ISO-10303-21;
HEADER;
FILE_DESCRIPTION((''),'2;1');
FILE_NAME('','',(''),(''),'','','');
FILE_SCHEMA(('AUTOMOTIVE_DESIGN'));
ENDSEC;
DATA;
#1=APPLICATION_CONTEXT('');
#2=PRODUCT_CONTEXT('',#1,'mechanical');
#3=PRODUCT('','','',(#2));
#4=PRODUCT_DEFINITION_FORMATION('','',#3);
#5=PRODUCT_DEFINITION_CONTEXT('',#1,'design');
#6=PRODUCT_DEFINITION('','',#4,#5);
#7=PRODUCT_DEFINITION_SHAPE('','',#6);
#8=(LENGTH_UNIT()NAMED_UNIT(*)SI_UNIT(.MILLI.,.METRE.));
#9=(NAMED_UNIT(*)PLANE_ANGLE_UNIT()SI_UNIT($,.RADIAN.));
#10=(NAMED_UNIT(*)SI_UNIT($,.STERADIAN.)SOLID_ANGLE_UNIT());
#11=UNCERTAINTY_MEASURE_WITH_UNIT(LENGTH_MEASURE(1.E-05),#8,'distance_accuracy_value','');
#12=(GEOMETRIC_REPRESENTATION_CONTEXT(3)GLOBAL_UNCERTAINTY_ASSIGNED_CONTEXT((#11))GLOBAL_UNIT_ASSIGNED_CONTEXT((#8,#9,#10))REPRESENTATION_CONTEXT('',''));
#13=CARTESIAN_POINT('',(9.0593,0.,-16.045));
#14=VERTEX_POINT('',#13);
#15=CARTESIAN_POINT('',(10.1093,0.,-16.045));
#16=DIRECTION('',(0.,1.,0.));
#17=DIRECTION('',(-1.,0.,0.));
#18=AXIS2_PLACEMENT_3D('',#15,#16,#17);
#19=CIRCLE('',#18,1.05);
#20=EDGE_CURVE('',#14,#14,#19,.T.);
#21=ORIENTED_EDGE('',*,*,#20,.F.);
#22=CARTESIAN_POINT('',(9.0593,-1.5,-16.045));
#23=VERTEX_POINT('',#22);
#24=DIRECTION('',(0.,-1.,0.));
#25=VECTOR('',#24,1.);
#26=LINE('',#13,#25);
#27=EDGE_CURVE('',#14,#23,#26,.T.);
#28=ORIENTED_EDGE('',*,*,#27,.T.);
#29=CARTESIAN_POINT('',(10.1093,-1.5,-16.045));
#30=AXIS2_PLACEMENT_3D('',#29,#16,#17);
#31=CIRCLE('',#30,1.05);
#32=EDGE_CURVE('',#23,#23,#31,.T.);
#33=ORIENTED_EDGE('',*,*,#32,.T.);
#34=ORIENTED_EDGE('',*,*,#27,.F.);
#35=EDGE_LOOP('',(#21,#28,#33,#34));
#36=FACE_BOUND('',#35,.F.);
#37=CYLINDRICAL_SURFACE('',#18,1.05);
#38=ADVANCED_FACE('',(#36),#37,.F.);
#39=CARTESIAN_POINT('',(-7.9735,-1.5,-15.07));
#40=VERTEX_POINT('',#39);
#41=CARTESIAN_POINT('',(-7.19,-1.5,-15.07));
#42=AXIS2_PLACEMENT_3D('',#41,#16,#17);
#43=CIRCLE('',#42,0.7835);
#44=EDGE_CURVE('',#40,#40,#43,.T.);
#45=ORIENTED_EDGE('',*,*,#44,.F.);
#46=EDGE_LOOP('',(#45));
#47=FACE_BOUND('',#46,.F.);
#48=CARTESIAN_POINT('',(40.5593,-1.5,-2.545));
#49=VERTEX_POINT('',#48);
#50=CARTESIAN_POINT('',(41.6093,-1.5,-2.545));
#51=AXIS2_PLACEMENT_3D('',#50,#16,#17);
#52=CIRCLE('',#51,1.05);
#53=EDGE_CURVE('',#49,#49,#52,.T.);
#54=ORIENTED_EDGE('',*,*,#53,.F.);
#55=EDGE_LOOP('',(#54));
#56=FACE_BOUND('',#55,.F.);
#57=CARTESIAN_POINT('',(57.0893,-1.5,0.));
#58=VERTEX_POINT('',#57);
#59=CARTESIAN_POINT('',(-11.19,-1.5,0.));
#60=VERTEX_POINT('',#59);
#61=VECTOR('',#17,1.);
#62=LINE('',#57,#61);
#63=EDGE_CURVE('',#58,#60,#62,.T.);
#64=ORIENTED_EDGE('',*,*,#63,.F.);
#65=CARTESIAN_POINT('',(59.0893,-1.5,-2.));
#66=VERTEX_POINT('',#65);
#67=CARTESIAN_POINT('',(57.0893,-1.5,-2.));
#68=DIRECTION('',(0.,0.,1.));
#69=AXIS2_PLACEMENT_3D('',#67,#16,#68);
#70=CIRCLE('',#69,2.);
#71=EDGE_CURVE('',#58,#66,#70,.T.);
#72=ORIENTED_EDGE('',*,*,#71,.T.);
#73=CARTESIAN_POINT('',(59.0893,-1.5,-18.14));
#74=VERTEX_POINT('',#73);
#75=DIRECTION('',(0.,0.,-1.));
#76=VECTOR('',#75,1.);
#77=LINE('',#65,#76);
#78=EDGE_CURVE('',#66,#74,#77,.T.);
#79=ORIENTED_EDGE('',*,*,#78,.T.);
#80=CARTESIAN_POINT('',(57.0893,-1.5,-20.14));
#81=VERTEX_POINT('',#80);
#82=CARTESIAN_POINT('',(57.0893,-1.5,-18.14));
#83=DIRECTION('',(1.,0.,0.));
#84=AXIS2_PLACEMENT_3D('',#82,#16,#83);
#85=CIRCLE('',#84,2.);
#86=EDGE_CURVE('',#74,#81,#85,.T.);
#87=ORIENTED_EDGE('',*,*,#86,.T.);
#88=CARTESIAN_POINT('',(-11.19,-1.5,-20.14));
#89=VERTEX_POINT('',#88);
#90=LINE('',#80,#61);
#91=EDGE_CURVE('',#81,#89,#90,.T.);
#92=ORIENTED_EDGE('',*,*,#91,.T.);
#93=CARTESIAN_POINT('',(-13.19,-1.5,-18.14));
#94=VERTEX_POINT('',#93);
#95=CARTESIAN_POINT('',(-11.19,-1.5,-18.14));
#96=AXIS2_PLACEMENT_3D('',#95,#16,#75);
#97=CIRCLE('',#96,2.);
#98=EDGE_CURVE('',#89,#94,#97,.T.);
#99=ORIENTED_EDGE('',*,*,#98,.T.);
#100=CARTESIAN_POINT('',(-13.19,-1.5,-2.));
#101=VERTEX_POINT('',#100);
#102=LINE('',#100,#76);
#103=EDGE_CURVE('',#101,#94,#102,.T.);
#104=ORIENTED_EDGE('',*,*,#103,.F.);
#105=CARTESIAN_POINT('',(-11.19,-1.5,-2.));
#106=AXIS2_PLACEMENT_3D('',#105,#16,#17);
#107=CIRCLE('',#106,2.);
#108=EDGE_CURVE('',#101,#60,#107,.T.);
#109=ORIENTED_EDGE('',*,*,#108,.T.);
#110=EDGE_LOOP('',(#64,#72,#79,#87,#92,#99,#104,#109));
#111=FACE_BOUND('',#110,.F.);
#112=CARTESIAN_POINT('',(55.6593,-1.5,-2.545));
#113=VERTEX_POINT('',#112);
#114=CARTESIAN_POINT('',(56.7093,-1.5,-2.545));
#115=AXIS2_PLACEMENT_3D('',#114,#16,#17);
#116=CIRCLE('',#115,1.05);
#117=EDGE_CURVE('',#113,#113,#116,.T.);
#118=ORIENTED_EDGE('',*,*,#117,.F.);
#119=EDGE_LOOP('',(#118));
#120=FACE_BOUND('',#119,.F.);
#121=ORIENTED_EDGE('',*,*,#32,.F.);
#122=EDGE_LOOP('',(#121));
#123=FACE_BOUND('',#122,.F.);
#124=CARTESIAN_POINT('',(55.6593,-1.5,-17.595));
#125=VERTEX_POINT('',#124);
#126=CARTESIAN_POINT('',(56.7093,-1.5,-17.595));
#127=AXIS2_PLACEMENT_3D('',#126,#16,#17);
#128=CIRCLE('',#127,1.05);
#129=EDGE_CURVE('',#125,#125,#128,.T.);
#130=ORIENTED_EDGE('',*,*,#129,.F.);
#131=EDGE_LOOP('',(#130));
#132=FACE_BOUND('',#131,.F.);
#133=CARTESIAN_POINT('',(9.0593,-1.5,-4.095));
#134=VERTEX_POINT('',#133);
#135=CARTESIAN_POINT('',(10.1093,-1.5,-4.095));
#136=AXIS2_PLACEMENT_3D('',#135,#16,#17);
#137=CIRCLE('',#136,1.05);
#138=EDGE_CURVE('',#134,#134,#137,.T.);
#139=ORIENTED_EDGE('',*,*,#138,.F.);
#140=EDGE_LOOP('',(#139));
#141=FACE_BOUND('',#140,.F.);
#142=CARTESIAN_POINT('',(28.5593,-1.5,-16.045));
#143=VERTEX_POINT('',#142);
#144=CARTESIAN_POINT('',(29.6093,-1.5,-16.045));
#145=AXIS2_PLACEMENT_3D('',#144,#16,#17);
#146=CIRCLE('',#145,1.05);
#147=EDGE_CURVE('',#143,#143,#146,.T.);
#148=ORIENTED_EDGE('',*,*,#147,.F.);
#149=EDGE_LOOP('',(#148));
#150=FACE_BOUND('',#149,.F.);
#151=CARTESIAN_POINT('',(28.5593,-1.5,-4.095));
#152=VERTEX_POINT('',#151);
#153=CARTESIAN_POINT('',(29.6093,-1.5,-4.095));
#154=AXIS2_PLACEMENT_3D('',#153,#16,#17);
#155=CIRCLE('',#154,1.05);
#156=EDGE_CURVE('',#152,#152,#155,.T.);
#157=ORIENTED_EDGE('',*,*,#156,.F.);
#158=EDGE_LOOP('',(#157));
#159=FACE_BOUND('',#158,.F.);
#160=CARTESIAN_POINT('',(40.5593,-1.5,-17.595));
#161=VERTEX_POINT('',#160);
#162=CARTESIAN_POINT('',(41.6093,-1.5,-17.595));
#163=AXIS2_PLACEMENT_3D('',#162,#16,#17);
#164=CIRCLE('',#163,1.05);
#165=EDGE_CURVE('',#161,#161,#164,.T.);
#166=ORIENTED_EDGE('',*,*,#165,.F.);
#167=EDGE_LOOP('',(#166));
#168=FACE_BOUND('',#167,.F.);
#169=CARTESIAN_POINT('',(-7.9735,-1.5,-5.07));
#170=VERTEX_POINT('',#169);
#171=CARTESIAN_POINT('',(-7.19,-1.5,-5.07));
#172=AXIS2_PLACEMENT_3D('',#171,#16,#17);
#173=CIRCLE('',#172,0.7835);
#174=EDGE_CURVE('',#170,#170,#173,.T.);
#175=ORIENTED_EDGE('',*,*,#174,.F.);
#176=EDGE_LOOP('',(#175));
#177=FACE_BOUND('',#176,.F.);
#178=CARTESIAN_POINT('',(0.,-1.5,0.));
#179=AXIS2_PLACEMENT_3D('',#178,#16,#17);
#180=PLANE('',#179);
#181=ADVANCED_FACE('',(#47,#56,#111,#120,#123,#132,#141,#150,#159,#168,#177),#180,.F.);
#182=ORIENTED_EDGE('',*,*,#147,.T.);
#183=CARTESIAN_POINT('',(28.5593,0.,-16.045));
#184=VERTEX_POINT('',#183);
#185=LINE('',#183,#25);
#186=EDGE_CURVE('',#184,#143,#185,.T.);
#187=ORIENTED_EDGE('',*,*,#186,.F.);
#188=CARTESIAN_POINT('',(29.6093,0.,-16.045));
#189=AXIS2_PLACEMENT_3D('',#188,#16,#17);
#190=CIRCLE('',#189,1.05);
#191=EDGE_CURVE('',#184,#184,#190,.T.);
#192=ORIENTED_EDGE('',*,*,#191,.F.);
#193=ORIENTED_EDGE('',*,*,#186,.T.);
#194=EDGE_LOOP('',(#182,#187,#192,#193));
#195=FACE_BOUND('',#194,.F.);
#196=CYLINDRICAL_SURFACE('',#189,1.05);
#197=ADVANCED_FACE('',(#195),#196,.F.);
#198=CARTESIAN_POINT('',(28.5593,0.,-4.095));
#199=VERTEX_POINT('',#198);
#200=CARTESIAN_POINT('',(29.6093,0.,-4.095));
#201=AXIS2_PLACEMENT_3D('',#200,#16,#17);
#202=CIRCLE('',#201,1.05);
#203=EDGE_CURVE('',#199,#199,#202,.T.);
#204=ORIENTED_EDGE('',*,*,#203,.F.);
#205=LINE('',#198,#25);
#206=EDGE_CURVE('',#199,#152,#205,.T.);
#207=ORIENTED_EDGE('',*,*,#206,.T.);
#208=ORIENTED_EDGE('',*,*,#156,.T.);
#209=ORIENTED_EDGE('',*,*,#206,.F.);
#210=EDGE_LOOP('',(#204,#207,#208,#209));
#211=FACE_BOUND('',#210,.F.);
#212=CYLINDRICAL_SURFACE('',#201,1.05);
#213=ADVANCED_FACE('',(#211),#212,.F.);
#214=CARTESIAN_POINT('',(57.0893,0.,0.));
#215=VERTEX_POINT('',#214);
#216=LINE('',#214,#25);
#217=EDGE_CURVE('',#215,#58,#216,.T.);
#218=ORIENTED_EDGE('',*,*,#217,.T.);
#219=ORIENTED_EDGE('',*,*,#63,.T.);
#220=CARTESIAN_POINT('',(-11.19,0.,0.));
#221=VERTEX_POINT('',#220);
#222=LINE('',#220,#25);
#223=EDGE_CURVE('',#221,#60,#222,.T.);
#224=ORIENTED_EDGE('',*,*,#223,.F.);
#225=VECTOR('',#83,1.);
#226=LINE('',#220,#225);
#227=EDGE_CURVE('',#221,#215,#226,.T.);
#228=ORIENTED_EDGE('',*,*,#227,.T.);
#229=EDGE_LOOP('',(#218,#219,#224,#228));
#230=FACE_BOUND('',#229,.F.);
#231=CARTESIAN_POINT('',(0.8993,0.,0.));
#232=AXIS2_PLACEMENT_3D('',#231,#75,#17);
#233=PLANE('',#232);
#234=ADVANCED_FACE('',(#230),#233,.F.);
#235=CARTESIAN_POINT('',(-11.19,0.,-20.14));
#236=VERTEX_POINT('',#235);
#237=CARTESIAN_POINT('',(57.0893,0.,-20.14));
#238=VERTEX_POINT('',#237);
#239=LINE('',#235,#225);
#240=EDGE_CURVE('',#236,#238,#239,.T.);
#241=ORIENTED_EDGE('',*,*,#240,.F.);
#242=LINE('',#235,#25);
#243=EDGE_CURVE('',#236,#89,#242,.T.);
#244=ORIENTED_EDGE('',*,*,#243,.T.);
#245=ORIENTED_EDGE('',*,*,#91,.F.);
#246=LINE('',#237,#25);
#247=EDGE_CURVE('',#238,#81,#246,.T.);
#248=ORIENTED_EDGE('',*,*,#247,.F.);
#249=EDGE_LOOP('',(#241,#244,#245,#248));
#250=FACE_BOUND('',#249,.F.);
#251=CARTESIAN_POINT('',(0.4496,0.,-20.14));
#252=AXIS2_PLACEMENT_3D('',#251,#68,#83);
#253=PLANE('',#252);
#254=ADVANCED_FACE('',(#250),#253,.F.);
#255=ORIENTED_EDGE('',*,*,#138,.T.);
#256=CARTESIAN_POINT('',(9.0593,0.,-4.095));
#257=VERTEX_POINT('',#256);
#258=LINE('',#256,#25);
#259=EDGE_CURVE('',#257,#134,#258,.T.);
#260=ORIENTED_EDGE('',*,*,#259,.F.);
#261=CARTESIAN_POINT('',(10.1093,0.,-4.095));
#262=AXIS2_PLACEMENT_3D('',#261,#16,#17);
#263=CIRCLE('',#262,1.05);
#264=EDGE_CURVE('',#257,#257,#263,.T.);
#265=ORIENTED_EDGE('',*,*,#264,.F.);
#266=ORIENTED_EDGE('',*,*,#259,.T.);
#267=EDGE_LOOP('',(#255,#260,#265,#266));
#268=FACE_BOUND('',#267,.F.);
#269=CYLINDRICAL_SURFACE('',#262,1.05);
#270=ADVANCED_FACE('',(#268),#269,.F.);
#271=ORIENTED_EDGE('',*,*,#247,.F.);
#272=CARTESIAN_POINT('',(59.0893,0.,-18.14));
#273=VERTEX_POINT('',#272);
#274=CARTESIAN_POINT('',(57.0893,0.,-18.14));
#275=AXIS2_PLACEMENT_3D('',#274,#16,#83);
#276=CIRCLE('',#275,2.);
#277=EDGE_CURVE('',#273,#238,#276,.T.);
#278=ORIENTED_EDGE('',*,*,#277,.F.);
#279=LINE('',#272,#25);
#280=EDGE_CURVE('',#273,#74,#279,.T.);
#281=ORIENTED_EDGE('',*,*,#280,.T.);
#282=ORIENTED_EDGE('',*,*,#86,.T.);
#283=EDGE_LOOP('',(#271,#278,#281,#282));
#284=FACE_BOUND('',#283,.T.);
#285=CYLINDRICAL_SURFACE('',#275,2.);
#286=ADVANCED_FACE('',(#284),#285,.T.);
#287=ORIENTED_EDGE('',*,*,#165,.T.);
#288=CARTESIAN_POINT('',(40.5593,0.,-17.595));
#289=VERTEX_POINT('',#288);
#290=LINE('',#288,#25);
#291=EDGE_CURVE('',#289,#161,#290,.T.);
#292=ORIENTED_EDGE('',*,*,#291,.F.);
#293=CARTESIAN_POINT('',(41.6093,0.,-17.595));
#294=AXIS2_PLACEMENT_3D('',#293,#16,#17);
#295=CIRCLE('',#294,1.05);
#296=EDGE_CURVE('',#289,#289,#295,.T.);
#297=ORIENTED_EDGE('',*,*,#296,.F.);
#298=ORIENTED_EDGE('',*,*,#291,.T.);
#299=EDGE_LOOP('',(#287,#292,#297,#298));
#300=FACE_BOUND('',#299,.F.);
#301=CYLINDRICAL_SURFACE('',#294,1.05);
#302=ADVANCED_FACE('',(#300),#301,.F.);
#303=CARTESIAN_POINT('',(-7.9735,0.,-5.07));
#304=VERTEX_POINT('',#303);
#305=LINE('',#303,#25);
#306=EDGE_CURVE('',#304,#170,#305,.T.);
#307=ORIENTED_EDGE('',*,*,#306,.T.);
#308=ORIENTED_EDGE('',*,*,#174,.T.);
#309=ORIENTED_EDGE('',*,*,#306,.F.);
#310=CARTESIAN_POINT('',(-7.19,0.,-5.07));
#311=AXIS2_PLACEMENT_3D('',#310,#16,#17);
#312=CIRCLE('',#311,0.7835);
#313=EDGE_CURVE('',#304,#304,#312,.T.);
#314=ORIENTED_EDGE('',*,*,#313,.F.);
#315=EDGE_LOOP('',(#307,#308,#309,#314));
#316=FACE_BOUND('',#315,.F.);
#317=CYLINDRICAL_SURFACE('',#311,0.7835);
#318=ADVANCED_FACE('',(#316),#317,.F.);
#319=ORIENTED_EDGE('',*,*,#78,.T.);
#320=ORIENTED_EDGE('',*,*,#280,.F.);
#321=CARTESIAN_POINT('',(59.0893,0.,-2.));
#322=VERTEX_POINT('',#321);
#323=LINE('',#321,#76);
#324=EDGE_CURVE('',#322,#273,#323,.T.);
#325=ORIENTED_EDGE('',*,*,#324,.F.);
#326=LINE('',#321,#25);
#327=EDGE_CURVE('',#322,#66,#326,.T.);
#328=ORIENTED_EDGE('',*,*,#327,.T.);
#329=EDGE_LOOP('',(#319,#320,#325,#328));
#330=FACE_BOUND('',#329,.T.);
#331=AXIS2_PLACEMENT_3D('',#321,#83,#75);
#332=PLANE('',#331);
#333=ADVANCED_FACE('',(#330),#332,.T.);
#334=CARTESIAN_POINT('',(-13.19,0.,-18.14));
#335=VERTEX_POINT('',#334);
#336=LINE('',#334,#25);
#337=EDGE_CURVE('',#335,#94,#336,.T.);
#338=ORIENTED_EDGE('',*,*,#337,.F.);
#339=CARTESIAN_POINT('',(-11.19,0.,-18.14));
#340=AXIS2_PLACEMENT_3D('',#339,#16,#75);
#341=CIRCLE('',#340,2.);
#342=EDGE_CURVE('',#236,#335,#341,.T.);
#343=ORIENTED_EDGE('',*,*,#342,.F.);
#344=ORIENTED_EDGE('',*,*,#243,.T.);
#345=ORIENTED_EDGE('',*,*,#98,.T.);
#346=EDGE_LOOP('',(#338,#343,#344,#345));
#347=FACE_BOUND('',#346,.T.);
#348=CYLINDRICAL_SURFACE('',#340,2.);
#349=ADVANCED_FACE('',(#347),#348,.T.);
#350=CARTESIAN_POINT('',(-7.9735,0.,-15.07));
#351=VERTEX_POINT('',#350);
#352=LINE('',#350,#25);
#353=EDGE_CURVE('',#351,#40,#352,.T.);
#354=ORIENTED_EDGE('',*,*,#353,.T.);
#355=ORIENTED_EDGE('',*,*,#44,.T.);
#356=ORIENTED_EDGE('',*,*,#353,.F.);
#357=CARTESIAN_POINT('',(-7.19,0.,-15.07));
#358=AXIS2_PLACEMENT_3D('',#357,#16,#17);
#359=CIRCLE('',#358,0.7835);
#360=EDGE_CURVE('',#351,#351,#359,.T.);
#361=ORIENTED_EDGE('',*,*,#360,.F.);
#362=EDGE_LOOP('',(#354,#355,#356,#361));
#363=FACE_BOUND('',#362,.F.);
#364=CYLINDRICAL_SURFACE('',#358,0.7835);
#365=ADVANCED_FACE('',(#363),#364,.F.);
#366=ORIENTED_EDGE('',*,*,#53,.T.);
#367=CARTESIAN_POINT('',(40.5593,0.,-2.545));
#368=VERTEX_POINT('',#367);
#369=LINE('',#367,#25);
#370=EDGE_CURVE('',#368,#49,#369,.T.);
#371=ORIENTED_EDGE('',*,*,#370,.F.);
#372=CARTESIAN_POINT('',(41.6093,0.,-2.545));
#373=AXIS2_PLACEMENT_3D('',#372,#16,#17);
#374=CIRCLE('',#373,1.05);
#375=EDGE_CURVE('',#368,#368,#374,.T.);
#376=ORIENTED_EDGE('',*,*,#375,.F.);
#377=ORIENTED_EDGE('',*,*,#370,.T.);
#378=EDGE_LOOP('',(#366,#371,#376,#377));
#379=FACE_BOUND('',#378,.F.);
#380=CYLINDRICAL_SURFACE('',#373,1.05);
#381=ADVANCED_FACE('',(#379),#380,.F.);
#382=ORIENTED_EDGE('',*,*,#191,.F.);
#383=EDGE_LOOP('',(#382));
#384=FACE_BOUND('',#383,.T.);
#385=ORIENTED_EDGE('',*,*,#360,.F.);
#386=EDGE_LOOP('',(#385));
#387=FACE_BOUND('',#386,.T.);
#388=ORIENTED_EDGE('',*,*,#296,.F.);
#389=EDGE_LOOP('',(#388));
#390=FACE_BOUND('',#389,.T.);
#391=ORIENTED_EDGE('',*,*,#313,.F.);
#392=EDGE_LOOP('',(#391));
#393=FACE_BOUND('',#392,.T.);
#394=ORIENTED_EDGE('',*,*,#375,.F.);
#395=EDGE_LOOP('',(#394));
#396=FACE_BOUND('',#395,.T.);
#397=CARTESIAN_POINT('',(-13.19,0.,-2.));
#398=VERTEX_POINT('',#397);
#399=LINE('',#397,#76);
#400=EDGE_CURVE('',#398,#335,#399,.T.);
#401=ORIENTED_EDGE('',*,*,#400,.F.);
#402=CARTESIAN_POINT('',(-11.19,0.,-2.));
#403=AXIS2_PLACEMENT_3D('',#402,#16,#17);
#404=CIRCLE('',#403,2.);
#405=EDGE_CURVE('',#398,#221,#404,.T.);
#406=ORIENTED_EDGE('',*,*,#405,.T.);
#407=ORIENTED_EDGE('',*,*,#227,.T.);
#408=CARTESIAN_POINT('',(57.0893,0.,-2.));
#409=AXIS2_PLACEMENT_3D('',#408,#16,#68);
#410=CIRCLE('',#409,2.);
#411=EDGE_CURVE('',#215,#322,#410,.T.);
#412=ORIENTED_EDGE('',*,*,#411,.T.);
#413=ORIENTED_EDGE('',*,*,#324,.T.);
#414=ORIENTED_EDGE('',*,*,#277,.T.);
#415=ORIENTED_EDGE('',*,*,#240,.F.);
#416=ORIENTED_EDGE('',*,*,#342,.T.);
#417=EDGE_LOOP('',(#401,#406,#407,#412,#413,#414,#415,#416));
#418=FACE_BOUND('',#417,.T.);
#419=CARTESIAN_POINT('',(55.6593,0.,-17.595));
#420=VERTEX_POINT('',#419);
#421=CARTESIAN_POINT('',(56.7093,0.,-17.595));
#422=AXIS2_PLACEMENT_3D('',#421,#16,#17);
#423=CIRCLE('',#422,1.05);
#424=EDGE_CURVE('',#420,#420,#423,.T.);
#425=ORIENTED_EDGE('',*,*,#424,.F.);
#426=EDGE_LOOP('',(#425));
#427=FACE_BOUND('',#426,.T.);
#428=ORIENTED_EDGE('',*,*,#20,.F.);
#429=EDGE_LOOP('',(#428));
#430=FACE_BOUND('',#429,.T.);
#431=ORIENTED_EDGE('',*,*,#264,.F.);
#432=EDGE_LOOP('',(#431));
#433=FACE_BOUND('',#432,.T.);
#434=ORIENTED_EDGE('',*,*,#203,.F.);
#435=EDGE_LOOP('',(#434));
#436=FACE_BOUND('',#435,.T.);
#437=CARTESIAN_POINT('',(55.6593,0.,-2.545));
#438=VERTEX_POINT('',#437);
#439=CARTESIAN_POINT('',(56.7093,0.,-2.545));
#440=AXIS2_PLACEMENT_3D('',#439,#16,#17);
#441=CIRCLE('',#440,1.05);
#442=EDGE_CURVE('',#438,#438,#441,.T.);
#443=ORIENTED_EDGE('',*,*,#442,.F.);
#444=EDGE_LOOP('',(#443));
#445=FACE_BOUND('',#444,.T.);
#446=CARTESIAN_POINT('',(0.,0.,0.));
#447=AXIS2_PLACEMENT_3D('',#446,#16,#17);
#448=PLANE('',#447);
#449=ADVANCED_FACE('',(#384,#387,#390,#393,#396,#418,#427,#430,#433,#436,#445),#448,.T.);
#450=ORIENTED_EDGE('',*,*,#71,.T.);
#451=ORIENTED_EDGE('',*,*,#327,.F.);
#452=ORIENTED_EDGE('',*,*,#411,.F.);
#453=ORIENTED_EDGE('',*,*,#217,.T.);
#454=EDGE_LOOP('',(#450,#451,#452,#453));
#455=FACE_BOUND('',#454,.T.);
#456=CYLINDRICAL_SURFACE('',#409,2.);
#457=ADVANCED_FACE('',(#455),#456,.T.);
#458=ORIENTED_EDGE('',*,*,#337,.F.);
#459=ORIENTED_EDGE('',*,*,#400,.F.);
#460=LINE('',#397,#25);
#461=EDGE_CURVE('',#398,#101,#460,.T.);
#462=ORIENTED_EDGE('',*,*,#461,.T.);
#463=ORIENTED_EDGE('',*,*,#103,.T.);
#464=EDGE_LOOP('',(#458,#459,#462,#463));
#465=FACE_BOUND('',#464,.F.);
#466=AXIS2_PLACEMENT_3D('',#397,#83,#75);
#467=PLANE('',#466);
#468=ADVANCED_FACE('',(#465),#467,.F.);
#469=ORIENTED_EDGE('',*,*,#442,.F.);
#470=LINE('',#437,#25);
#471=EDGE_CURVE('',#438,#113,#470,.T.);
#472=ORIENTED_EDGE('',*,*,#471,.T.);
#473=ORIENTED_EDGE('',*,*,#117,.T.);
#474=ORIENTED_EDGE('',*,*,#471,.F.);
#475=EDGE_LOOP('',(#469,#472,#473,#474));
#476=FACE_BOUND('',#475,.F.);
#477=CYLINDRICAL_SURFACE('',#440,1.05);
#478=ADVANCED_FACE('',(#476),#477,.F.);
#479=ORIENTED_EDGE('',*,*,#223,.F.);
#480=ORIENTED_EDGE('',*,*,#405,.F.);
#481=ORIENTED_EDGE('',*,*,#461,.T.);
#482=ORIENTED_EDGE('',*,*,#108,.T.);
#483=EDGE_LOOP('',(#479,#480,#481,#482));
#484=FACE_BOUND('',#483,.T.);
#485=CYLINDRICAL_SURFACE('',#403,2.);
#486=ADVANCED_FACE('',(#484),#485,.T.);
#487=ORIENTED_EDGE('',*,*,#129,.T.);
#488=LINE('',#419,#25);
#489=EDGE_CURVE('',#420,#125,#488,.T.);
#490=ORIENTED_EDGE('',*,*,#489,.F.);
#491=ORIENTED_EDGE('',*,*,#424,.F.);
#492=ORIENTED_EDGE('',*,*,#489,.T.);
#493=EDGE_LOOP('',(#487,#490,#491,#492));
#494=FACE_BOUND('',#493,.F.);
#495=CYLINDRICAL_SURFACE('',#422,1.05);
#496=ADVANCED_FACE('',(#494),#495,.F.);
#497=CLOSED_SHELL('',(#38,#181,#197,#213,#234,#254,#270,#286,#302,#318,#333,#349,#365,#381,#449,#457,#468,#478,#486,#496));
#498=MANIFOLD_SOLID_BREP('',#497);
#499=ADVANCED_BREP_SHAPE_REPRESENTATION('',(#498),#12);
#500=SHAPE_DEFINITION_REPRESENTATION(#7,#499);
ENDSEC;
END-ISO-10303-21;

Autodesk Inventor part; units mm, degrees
ref_plane "YZ Plane" through (0, 0, 0) normal (1, 0, 0) x (0, 1, 0)
ref_plane "XZ Plane" through (0, 0, 0) normal (0, 1, 0) x (-1, 0, 0)
ref_plane "XY Plane" through (0, 0, 0) normal (0, 0, 1) x (1, 0, 0)
sketch "Sketch1" plane through (0, 0, 0) normal (0, 1, 0) x (-1, 0, 0)
  line L0 (-0.4496, -20.14) -> (-0.4496, 0)
  circle A0 centre (-29.6093, -4.095) radius 1.05
  circle A1 centre (-29.6093, -16.045) radius 1.05
  circle A2 centre (-10.1093, -16.045) radius 1.05
  circle A3 centre (-10.1093, -4.095) radius 1.05
  circle A4 centre (7.19, -5.07) radius 0.7835
  circle A5 centre (7.19, -15.07) radius 0.7835
  circle A6 centre (-56.7093, -2.545) radius 1.05
  circle A7 centre (-41.6093, -2.545) radius 1.05
  circle A8 centre (-56.7093, -17.595) radius 1.05
  circle A9 centre (-41.6093, -17.595) radius 1.05
  arc A10 (-59.0893, -18.14) -> (-57.0893, -20.14) centre (-57.0893, -18.14) ccw
  line L1 (-59.0893, -2) -> (-59.0893, -18.14)
  arc A11 (-57.0893, 0) -> (-59.0893, -2) centre (-57.0893, -2) ccw
  arc A12 (11.19, -20.14) -> (13.19, -18.14) centre (11.19, -18.14) ccw
  line L2 (13.19, -2) -> (13.19, -18.14)
  arc A13 (13.19, -2) -> (11.19, 0) centre (11.19, -2) ccw
  line L3 (-57.0893, 0) -> (11.19, 0)
  line L4 (11.19, -20.14) -> (-57.0893, -20.14)
  line L5 (-0.8993, -20.14) -> (-0.8993, 0)
  line L6 (0, 0) -> (0, -20.14)
extrude "Plate1" add sketch "Sketch1" against normal blind 1.5
equation "\"d0\" = Thickness"
equation "\"BendReliefWidth\" = Thickness"
equation "\"BendReliefDepth\" = 0.5 * Thickness"
equation "\"CornerReliefSize\" = 4 * Thickness"
equation "\"MinimumRemnant\" = 2 * Thickness"
equation "\"TransitionRadius\" = BendRadius"
equation "\"JacobiRadiusSize\" = BendRadius"
equation "\"GapSize\" = Thickness"
equation "\"Thickness\" = 1.5"
equation "\"BendRadius\" = 0.31"
properties part number "CAM_servo_bracket_bottom" material "Aluminum 6061"
